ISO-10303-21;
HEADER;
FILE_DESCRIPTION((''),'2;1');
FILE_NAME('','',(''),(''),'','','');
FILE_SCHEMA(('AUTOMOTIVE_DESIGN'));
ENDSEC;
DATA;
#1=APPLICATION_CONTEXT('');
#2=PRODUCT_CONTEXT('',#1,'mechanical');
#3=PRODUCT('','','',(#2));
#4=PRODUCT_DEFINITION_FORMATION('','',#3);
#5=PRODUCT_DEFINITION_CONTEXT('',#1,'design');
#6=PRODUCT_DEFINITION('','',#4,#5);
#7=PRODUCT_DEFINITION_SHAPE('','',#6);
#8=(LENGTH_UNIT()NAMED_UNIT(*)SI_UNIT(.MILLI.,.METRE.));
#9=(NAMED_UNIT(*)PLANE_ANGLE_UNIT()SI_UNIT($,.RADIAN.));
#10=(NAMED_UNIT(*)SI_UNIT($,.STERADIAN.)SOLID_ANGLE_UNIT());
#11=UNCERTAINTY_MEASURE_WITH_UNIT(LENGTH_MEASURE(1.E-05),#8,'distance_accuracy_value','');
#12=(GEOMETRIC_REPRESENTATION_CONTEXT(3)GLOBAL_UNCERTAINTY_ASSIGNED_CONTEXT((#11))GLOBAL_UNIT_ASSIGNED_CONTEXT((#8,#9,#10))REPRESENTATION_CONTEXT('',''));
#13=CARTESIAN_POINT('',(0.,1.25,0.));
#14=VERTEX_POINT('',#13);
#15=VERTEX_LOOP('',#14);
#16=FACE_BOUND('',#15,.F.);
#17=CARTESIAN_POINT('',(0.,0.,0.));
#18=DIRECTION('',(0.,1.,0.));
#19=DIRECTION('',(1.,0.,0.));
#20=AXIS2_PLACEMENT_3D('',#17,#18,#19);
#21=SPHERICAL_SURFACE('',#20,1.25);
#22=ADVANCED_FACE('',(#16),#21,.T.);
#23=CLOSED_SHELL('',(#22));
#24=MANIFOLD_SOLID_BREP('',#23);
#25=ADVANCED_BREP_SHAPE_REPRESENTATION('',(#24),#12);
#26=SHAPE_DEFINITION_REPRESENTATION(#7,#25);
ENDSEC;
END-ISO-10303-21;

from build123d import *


with BuildPart() as part:
    # Sketch1 → Revolve3 (revolve)
    with BuildSketch(Plane.XY):
        with BuildLine():
            Line((0, 1.25), (0, -1.25))
            ThreePointArc((0, -1.25), (1.25, 0), (0, 1.25))
        make_face()
    revolve(axis=Axis((0, 2.693825656, 0), (0, -1, 0)))


solid = part.part
